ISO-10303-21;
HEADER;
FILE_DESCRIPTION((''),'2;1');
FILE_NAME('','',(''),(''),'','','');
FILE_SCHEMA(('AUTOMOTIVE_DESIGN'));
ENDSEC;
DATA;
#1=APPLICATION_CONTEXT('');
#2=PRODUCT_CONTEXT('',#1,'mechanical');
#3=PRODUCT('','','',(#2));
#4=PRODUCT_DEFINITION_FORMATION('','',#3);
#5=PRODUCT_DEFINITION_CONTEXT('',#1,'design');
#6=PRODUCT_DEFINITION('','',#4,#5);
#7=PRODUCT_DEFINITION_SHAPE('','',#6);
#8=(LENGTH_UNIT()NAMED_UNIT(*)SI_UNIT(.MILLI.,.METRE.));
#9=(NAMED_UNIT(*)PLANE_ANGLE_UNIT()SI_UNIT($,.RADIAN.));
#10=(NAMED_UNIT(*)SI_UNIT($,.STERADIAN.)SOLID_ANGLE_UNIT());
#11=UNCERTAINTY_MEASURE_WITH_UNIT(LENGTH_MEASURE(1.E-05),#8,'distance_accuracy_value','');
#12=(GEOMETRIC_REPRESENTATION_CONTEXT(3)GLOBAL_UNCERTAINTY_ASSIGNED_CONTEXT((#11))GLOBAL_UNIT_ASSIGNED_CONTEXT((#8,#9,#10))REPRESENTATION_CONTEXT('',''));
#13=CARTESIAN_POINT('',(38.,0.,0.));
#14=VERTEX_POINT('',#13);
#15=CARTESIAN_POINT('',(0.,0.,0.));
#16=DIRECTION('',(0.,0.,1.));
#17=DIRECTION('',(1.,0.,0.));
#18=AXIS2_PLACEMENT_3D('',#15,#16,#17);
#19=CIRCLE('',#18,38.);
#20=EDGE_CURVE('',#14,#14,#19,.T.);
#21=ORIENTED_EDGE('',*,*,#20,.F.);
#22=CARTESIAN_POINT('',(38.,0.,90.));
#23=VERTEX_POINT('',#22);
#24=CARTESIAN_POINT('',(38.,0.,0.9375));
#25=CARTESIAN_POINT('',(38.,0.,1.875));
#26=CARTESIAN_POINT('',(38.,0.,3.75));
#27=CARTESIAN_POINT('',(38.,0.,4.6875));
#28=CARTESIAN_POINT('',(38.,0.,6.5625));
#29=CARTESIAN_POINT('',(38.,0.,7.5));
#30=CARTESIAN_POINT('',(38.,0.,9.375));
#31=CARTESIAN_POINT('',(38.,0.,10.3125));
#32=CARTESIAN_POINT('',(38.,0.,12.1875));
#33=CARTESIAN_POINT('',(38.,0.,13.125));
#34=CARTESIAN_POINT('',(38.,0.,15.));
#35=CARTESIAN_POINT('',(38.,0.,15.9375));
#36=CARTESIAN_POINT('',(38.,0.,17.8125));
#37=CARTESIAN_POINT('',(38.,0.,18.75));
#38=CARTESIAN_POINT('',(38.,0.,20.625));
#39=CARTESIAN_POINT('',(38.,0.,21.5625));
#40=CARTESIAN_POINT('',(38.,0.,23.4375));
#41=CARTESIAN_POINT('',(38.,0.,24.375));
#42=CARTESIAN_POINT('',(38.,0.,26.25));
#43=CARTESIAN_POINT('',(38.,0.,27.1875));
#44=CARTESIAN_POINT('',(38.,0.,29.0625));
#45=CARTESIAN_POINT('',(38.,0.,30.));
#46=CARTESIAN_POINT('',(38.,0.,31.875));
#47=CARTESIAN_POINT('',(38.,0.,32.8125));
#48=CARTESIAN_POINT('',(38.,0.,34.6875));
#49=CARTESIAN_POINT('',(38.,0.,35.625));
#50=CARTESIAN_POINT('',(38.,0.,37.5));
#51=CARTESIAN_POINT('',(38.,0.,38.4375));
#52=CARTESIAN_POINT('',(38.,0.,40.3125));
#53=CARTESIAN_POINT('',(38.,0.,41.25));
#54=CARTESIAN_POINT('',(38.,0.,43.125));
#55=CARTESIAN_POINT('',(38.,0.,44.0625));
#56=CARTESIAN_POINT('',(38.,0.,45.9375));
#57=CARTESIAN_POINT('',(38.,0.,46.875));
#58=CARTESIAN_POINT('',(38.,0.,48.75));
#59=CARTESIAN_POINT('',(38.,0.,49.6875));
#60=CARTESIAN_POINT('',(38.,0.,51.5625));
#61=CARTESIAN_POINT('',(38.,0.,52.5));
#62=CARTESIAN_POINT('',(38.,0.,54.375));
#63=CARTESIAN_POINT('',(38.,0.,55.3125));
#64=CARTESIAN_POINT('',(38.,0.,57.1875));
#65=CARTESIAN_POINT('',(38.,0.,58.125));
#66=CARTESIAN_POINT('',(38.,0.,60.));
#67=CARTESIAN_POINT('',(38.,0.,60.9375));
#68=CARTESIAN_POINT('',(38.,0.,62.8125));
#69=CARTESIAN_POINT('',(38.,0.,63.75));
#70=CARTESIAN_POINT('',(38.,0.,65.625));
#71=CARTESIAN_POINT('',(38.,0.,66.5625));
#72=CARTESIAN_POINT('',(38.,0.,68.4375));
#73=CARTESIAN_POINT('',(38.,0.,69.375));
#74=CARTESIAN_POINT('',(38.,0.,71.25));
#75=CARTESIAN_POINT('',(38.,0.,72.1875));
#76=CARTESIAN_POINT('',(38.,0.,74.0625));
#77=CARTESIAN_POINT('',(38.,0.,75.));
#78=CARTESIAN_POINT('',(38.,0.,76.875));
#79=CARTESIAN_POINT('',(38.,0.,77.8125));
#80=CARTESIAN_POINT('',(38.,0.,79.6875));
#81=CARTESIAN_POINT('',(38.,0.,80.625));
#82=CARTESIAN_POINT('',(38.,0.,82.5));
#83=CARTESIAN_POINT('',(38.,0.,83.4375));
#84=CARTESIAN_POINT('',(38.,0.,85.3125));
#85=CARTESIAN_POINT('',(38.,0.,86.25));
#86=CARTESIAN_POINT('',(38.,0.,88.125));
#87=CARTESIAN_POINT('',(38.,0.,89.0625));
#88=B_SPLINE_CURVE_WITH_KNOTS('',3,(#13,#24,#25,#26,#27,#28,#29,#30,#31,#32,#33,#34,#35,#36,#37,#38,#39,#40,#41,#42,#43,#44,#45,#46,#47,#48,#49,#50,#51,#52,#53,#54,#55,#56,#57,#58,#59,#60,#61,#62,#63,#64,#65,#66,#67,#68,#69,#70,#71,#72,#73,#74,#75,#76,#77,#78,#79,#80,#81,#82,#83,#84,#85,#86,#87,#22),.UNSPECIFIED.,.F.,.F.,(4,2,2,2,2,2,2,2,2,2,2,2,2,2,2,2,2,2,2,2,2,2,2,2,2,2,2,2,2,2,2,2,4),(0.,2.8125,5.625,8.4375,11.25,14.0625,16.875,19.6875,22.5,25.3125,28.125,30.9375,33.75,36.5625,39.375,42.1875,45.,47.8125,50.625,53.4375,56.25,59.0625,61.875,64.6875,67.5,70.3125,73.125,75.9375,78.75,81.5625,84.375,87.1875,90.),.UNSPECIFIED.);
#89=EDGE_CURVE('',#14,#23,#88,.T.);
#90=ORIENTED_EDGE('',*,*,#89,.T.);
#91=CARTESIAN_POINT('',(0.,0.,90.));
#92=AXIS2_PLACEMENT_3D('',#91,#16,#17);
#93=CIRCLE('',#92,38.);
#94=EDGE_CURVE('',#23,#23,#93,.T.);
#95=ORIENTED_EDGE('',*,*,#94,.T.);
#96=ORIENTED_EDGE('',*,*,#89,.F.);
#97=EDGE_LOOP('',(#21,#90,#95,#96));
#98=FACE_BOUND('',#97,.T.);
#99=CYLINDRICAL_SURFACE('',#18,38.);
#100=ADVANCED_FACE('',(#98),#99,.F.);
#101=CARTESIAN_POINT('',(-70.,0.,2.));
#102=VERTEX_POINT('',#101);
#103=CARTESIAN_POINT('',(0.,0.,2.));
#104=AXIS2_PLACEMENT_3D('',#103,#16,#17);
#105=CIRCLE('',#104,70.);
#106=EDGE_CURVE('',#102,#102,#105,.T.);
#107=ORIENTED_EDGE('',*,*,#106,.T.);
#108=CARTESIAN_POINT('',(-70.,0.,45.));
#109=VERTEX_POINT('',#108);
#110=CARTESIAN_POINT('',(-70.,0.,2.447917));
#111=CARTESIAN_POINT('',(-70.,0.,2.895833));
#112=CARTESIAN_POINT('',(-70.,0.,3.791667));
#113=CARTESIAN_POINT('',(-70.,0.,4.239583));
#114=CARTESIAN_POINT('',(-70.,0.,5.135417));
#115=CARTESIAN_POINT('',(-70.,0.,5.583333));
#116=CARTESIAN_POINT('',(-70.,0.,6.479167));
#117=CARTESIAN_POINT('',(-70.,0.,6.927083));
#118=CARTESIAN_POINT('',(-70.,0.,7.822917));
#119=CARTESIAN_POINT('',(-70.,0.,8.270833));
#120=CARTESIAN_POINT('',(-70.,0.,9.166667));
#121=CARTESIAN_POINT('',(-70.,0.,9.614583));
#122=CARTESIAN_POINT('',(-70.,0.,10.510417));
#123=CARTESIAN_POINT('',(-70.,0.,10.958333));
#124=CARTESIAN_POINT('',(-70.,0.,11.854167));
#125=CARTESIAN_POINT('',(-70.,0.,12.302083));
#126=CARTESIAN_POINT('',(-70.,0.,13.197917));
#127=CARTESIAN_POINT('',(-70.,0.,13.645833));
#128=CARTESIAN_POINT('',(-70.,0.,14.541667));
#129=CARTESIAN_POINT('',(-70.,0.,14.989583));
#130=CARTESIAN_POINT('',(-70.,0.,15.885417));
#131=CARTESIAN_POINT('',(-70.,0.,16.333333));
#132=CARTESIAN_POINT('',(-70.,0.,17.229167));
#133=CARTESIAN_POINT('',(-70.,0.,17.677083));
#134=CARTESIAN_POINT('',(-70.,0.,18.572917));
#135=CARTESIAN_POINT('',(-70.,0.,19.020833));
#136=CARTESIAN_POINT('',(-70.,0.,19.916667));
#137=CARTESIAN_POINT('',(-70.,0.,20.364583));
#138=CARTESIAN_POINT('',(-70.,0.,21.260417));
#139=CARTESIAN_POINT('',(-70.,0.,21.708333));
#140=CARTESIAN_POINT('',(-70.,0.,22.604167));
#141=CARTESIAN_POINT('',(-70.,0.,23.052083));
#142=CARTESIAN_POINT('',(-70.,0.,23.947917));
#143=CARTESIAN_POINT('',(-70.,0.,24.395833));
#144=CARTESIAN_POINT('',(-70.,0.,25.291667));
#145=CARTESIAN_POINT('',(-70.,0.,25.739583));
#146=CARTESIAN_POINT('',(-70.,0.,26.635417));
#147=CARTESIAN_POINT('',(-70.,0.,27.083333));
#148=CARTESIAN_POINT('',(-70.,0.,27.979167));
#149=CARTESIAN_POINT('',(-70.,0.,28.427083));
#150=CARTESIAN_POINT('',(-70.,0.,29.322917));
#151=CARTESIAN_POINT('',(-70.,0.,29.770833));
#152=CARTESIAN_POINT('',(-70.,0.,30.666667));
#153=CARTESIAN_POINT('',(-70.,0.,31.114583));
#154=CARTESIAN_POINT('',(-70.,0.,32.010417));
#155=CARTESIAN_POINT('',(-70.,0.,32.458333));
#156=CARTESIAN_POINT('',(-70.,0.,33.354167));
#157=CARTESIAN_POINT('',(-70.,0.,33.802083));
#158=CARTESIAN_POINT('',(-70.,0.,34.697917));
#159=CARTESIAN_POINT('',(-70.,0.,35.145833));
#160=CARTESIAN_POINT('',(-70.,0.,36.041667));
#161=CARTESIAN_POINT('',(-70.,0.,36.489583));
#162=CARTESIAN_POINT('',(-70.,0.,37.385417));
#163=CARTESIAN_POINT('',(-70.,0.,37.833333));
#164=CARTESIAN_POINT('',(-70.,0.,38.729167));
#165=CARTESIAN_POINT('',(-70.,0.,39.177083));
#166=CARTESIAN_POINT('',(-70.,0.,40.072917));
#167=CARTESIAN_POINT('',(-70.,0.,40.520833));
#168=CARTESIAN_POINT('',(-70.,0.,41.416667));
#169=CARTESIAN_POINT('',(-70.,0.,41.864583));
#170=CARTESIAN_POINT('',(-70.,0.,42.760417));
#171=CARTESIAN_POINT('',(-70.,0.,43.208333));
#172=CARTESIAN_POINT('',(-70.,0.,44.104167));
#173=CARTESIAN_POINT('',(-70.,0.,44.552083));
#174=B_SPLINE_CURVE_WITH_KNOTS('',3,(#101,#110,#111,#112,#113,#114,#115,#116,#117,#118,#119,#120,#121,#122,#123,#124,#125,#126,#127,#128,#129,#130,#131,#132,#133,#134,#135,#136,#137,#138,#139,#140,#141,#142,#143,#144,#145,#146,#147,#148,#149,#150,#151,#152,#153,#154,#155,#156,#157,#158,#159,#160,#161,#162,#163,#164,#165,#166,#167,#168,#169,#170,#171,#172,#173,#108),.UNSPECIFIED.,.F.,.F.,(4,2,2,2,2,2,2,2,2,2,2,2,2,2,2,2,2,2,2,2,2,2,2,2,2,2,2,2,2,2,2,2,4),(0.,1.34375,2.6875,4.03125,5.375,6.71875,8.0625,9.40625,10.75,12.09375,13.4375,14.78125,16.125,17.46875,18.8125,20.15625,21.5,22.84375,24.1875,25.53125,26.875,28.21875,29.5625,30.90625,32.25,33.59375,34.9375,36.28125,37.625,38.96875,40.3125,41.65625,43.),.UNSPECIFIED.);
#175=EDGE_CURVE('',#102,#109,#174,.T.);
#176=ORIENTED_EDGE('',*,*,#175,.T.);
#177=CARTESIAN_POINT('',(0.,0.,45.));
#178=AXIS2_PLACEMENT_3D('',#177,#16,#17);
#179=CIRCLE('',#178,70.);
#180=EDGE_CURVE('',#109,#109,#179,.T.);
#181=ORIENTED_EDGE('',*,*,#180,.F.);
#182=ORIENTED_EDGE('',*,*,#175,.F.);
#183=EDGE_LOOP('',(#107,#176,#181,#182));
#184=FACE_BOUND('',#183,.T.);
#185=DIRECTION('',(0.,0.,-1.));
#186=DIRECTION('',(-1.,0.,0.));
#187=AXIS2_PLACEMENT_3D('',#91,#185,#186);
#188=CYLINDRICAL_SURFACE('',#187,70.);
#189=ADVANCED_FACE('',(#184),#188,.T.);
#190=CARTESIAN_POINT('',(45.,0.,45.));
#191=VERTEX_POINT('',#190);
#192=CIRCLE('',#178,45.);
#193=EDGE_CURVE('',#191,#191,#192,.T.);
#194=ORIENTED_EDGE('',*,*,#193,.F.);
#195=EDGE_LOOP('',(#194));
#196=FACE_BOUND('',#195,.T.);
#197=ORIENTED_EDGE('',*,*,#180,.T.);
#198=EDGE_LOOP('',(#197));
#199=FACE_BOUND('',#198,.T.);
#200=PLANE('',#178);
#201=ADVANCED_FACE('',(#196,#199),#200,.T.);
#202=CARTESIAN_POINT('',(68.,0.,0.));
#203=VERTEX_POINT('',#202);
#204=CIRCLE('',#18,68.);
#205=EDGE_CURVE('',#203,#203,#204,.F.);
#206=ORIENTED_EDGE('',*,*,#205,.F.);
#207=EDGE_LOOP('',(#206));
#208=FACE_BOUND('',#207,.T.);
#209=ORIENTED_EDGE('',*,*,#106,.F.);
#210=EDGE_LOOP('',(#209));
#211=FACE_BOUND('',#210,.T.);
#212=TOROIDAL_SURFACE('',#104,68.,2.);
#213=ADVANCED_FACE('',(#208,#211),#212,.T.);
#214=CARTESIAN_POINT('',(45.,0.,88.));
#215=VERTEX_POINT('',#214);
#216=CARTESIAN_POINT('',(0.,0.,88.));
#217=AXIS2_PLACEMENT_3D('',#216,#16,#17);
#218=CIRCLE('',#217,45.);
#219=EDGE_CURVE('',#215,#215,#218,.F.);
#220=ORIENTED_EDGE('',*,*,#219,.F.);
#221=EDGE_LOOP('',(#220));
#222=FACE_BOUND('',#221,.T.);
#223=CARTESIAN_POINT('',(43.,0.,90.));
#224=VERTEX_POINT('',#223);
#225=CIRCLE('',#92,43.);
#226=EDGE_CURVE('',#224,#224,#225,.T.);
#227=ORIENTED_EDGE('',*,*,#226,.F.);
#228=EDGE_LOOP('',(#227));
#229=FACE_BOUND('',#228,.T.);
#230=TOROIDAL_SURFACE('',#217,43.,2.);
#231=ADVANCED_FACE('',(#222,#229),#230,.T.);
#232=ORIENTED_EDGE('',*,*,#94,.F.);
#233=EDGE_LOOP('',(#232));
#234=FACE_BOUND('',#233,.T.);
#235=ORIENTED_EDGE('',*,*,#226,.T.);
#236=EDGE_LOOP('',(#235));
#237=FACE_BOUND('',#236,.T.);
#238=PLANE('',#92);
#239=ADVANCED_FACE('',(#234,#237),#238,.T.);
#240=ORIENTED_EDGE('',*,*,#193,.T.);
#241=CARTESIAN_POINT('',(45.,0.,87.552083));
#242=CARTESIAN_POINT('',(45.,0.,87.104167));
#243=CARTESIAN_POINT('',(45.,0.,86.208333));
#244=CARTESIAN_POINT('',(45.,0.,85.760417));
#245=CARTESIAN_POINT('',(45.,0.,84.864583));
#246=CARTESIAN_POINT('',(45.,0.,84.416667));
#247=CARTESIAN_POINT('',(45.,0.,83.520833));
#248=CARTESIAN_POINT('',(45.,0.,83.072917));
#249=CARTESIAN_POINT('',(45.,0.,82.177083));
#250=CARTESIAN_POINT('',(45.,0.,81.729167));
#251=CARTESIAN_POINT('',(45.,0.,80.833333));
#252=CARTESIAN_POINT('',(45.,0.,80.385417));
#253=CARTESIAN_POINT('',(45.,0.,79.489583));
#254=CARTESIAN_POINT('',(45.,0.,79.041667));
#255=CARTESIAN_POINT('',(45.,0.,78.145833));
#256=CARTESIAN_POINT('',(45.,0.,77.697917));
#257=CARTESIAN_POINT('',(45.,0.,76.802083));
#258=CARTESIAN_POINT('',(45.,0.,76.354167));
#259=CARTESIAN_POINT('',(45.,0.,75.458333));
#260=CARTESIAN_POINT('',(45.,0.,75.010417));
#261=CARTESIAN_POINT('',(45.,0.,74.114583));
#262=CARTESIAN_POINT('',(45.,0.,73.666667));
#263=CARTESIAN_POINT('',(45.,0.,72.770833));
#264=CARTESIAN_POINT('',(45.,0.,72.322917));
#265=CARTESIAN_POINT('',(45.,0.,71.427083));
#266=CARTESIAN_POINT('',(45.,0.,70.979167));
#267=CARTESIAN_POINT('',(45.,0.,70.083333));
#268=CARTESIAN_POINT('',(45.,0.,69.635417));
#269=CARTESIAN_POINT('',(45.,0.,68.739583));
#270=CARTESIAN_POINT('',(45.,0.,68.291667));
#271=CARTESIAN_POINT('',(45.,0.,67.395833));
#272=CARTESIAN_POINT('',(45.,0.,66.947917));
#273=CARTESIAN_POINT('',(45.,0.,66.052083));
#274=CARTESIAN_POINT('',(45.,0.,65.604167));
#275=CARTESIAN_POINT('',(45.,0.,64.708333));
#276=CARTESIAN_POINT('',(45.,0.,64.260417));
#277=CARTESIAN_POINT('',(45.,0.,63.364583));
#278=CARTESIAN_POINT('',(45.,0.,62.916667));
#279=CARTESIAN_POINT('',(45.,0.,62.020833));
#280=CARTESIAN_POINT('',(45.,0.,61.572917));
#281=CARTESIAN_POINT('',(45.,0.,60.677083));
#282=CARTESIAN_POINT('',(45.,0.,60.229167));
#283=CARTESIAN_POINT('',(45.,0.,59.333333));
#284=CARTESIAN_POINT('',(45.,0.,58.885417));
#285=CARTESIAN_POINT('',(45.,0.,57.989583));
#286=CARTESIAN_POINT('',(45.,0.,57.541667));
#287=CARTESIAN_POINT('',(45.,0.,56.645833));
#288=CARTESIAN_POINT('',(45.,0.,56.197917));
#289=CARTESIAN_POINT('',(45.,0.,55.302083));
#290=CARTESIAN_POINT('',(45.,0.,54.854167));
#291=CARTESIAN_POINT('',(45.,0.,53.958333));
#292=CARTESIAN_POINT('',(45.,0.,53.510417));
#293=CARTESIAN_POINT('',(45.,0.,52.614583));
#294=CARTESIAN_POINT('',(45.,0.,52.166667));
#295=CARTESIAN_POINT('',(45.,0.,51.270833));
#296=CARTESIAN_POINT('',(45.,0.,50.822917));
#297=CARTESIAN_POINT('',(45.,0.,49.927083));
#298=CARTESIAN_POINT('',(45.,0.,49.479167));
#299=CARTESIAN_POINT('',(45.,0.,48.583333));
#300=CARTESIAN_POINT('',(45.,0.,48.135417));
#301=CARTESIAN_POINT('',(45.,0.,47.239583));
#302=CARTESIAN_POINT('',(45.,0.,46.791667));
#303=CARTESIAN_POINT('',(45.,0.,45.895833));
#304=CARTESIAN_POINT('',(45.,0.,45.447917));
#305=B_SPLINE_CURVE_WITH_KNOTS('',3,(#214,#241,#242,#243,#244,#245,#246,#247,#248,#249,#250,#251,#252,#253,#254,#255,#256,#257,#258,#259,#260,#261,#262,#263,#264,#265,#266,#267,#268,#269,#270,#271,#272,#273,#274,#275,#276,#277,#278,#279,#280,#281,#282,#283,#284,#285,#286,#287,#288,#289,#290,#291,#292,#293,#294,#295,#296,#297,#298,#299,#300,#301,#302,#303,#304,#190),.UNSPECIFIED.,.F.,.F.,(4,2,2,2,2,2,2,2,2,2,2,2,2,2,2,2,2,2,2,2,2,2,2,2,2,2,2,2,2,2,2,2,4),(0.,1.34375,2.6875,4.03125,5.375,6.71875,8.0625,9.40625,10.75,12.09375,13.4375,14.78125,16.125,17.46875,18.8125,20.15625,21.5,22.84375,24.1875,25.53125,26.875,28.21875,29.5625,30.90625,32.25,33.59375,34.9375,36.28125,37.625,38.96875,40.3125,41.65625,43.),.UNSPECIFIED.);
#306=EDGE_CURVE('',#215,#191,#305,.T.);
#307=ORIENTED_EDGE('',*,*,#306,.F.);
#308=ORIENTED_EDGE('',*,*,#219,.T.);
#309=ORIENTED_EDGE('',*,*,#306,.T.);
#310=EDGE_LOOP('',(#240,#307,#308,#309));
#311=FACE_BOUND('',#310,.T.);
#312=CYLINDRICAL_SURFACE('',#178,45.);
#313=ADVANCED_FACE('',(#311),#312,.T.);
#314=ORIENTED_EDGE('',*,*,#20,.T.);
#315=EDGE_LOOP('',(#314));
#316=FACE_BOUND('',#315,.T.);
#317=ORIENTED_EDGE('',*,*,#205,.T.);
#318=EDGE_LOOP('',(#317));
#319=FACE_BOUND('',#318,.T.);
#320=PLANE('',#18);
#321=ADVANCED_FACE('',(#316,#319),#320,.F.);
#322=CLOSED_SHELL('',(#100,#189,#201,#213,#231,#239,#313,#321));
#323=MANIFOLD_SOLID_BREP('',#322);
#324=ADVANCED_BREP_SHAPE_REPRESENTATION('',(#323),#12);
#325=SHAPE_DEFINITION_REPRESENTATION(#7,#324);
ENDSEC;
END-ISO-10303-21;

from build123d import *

# Parameters (mm, degrees)
SKETCH_1_R          = 70
EXTRUDE_1_DEPTH     = 90
SKETCH_2_R          = 38
CUT_EXTRUDE_1_DEPTH = 134.790881603
CUT_EXTRUDE_START   = -45
SKETCH_3_R          = 70
SKETCH_3_R_2        = 45
CUT_EXTRUDE_2_DEPTH = 45
FILLET_1_R          = 2


with BuildPart() as part:
    # 草图1 → 凸台-拉伸1 (new body)
    with BuildSketch(Plane.XY):
        with Locations(Location((0, 0, 0), (0, 0, 180))):
            Circle(SKETCH_1_R)
    extrude(amount=EXTRUDE_1_DEPTH)

    # 草图2 → 切除-拉伸1 (cut, through all)
    with BuildSketch(Plane.XY.offset(90)):
        Circle(SKETCH_2_R)
    extrude(amount=-CUT_EXTRUDE_1_DEPTH, mode=Mode.SUBTRACT)

    # 草图3 → 切除-拉伸2 (cut)
    with BuildSketch(Plane.XY.offset(90).offset(CUT_EXTRUDE_START)):
        with Locations(Location((0, 0, 0), (0, 0, 180))):
            Circle(SKETCH_3_R)
        Circle(SKETCH_3_R_2, mode=Mode.SUBTRACT)
    extrude(amount=CUT_EXTRUDE_2_DEPTH, mode=Mode.SUBTRACT)

    # 圆角1
    fillet_1_edges = [part.edges().sort_by_distance(p)[0] for p in [
        (-45, 0, 90),
        (70, 0, 0),
    ]]
    fillet(fillet_1_edges, radius=FILLET_1_R)


solid = part.part
